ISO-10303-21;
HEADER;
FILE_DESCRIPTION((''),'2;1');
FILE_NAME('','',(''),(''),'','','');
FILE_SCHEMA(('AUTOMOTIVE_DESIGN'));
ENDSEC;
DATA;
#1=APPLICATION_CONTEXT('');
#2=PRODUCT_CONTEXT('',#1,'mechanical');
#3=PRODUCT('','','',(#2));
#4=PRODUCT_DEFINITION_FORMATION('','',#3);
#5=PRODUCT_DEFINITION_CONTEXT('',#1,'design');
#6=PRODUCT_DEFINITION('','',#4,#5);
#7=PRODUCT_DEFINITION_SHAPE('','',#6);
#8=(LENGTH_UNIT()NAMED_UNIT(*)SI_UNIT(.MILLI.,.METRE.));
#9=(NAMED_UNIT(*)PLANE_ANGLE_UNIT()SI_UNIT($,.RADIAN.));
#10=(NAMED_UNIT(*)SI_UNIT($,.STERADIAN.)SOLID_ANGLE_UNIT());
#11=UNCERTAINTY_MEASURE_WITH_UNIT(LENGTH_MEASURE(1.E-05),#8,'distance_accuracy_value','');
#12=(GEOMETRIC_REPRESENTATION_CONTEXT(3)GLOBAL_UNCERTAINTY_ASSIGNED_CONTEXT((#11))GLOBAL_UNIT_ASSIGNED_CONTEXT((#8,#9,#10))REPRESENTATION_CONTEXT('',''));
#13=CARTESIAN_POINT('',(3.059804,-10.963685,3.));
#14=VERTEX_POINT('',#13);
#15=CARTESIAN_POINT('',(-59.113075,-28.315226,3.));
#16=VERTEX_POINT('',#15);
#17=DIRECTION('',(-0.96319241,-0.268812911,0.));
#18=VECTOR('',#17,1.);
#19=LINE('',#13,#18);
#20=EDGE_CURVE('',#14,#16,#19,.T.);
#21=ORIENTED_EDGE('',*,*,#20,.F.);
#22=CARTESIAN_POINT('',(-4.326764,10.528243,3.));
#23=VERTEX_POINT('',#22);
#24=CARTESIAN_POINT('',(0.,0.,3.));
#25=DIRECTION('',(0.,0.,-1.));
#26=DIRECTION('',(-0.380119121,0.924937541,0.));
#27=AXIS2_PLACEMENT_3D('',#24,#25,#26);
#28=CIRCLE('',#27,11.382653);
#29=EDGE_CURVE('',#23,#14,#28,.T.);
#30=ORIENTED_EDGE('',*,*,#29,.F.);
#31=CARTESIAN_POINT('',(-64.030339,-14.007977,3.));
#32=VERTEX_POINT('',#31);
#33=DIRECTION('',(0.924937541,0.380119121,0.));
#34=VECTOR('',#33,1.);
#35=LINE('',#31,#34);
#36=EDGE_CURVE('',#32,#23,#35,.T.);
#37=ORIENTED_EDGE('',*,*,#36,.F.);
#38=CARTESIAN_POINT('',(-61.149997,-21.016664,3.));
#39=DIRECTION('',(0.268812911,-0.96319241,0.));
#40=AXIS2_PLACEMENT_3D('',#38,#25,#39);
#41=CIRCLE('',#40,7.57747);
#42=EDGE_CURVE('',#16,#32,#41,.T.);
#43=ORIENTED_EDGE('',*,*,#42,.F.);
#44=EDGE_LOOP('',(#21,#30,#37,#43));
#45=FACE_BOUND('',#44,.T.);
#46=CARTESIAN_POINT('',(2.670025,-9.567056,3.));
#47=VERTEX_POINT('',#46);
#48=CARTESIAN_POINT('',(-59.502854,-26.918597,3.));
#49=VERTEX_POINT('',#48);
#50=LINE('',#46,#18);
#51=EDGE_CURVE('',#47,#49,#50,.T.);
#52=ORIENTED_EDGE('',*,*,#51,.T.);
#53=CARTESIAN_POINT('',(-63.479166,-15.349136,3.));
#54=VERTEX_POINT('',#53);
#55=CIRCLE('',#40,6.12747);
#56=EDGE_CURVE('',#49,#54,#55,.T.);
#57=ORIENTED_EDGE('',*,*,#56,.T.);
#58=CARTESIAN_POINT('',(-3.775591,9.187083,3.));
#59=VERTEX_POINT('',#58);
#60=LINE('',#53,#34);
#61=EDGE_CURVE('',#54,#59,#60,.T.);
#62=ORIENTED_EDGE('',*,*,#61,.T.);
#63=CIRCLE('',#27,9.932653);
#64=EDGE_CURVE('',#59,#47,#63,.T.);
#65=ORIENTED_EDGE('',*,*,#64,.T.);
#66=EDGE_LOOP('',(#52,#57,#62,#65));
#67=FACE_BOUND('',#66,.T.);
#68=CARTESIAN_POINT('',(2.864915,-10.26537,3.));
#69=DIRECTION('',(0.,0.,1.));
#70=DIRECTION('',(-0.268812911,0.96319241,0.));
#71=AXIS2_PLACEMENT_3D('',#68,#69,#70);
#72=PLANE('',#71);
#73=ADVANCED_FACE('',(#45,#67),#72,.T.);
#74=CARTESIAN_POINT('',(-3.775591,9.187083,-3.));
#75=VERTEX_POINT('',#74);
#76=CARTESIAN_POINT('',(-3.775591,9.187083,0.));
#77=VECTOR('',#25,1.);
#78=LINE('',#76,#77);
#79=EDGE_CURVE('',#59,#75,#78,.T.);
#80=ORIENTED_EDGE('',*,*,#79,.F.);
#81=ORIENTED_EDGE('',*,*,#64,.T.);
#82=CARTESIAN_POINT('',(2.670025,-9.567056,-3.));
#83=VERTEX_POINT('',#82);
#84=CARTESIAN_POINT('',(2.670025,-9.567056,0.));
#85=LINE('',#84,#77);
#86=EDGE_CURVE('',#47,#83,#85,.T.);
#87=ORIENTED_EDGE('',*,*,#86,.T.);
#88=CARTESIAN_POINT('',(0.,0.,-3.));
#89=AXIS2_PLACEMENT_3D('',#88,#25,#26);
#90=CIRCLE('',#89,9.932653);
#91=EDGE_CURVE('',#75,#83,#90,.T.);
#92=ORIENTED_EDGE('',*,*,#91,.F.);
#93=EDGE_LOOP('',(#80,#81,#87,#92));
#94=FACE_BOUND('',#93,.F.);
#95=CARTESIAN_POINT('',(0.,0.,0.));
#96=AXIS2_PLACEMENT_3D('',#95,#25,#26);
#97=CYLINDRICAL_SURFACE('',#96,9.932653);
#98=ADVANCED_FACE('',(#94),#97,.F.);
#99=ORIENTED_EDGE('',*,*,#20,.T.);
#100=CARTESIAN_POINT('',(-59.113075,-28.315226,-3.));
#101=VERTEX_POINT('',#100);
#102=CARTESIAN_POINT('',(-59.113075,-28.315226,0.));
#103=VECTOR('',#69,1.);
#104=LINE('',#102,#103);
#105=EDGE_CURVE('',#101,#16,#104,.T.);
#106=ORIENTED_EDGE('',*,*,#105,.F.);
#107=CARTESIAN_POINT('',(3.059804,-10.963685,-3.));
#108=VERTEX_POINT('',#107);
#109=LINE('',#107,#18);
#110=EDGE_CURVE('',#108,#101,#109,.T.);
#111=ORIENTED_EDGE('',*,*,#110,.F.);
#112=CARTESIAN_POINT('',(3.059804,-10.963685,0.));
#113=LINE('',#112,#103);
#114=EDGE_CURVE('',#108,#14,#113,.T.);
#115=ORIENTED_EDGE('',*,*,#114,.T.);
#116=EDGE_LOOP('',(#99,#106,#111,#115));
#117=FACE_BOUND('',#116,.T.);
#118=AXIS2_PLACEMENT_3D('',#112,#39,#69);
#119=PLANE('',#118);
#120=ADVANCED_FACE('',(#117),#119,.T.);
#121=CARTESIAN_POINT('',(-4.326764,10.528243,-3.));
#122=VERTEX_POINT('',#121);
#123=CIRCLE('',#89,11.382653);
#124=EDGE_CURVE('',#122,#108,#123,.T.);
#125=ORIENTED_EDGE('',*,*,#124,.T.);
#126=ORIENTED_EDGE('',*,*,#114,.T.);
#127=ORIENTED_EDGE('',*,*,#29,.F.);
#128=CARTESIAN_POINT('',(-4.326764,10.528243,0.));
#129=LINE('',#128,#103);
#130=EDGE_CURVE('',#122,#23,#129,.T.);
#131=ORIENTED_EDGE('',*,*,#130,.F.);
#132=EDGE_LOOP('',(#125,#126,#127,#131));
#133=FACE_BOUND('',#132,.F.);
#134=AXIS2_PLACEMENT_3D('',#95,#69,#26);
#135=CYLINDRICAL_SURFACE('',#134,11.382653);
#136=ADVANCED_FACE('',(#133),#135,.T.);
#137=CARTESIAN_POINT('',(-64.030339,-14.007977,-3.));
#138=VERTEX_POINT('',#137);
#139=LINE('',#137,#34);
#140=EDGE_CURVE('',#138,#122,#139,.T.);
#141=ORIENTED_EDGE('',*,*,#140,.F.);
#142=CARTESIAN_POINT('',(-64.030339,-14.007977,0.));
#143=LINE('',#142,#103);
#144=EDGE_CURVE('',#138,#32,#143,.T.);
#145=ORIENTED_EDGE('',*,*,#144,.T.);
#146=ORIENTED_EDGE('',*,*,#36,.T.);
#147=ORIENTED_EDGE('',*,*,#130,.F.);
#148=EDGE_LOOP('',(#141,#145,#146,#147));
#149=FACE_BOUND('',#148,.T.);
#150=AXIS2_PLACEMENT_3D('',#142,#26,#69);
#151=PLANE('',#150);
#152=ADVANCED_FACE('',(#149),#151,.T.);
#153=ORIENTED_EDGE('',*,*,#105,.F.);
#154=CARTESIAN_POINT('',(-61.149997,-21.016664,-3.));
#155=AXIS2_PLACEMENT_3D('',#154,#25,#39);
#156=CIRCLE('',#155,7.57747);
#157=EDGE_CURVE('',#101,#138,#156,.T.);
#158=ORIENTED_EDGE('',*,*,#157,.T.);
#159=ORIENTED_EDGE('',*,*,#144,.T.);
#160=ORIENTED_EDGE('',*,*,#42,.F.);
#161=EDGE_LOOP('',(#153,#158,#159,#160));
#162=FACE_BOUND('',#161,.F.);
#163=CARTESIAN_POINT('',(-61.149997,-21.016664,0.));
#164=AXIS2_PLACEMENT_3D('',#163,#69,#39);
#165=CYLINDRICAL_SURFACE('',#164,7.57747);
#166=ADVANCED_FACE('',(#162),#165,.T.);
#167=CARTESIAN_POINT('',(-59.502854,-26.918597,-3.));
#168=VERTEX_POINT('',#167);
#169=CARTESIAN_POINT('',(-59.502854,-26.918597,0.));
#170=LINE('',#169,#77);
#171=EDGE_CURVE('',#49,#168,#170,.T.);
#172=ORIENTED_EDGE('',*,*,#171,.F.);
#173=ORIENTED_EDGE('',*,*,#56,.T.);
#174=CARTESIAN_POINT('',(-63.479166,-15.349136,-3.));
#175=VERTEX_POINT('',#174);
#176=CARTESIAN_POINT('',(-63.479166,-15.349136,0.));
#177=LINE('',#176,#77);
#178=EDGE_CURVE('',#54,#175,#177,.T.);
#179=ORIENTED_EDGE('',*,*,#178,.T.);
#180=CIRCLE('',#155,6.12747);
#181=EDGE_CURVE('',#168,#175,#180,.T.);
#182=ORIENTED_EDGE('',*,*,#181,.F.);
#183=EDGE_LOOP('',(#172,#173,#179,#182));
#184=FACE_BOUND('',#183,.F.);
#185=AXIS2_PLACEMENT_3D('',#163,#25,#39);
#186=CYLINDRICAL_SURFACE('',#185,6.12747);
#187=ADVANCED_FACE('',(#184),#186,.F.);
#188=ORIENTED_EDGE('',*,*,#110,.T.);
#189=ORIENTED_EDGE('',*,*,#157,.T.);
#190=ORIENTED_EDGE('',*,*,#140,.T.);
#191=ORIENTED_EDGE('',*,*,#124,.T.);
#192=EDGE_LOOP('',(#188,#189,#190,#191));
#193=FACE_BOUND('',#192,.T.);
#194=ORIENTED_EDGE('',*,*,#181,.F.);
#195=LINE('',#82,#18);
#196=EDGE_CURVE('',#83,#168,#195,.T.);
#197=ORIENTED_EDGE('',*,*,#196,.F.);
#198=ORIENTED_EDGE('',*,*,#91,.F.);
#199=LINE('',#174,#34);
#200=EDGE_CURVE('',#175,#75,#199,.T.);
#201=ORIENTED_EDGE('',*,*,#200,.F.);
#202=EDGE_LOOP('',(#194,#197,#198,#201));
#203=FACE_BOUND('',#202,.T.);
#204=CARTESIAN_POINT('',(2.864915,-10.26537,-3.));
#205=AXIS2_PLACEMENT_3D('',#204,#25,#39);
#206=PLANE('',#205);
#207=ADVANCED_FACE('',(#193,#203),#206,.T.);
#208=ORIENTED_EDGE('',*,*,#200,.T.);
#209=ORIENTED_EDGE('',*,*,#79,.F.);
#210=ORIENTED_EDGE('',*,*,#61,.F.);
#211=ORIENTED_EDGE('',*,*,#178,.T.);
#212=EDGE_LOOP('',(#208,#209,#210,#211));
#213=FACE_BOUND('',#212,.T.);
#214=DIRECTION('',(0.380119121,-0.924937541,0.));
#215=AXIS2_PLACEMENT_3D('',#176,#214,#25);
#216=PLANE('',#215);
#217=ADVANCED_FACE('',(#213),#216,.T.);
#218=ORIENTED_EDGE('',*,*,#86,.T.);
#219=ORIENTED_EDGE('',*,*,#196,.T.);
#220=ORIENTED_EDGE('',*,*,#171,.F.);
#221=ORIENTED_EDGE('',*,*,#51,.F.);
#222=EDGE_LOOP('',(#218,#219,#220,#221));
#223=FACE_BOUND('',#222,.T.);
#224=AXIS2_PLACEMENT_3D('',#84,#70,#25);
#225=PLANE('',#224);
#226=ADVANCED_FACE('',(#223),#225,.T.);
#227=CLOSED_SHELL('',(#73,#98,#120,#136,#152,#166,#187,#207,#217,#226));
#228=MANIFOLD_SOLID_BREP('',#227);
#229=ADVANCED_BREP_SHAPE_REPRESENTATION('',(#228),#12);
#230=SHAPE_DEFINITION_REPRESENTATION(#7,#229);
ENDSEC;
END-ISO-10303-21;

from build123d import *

# Parameters (mm, degrees)
SKETCH3_W = 6
SKETCH3_H = 1.45


with BuildPart() as part:
    # Sweep1: sweep along a path in Sketch2
    with BuildLine(Plane.XY) as sweep1_path:
        Line((2.67002525, -9.567055565), (-59.502854179, -26.918596678))
        ThreePointArc((-59.502854179, -26.918596678), (-66.944770348, -23.008271135), (-63.479166051, -15.349136134))
        Line((-63.479166051, -15.349136134), (-3.775591162, 9.187083237))
        ThreePointArc((-3.775591162, 9.187083237), (9.393348687, 3.228403239), (2.67002525, -9.567055565))
    # Sketch3 → Sweep1 (sweep)
    with BuildSketch(Plane(origin=(-63.479166051, -15.349136134, 0), x_dir=(0, 0, -1), z_dir=(0.9249375405656244, 0.38011912087188415, 0))):
        with Locations((0, 0.725)):
            Rectangle(SKETCH3_W, SKETCH3_H)
    sweep(path=sweep1_path.line)


solid = part.part
